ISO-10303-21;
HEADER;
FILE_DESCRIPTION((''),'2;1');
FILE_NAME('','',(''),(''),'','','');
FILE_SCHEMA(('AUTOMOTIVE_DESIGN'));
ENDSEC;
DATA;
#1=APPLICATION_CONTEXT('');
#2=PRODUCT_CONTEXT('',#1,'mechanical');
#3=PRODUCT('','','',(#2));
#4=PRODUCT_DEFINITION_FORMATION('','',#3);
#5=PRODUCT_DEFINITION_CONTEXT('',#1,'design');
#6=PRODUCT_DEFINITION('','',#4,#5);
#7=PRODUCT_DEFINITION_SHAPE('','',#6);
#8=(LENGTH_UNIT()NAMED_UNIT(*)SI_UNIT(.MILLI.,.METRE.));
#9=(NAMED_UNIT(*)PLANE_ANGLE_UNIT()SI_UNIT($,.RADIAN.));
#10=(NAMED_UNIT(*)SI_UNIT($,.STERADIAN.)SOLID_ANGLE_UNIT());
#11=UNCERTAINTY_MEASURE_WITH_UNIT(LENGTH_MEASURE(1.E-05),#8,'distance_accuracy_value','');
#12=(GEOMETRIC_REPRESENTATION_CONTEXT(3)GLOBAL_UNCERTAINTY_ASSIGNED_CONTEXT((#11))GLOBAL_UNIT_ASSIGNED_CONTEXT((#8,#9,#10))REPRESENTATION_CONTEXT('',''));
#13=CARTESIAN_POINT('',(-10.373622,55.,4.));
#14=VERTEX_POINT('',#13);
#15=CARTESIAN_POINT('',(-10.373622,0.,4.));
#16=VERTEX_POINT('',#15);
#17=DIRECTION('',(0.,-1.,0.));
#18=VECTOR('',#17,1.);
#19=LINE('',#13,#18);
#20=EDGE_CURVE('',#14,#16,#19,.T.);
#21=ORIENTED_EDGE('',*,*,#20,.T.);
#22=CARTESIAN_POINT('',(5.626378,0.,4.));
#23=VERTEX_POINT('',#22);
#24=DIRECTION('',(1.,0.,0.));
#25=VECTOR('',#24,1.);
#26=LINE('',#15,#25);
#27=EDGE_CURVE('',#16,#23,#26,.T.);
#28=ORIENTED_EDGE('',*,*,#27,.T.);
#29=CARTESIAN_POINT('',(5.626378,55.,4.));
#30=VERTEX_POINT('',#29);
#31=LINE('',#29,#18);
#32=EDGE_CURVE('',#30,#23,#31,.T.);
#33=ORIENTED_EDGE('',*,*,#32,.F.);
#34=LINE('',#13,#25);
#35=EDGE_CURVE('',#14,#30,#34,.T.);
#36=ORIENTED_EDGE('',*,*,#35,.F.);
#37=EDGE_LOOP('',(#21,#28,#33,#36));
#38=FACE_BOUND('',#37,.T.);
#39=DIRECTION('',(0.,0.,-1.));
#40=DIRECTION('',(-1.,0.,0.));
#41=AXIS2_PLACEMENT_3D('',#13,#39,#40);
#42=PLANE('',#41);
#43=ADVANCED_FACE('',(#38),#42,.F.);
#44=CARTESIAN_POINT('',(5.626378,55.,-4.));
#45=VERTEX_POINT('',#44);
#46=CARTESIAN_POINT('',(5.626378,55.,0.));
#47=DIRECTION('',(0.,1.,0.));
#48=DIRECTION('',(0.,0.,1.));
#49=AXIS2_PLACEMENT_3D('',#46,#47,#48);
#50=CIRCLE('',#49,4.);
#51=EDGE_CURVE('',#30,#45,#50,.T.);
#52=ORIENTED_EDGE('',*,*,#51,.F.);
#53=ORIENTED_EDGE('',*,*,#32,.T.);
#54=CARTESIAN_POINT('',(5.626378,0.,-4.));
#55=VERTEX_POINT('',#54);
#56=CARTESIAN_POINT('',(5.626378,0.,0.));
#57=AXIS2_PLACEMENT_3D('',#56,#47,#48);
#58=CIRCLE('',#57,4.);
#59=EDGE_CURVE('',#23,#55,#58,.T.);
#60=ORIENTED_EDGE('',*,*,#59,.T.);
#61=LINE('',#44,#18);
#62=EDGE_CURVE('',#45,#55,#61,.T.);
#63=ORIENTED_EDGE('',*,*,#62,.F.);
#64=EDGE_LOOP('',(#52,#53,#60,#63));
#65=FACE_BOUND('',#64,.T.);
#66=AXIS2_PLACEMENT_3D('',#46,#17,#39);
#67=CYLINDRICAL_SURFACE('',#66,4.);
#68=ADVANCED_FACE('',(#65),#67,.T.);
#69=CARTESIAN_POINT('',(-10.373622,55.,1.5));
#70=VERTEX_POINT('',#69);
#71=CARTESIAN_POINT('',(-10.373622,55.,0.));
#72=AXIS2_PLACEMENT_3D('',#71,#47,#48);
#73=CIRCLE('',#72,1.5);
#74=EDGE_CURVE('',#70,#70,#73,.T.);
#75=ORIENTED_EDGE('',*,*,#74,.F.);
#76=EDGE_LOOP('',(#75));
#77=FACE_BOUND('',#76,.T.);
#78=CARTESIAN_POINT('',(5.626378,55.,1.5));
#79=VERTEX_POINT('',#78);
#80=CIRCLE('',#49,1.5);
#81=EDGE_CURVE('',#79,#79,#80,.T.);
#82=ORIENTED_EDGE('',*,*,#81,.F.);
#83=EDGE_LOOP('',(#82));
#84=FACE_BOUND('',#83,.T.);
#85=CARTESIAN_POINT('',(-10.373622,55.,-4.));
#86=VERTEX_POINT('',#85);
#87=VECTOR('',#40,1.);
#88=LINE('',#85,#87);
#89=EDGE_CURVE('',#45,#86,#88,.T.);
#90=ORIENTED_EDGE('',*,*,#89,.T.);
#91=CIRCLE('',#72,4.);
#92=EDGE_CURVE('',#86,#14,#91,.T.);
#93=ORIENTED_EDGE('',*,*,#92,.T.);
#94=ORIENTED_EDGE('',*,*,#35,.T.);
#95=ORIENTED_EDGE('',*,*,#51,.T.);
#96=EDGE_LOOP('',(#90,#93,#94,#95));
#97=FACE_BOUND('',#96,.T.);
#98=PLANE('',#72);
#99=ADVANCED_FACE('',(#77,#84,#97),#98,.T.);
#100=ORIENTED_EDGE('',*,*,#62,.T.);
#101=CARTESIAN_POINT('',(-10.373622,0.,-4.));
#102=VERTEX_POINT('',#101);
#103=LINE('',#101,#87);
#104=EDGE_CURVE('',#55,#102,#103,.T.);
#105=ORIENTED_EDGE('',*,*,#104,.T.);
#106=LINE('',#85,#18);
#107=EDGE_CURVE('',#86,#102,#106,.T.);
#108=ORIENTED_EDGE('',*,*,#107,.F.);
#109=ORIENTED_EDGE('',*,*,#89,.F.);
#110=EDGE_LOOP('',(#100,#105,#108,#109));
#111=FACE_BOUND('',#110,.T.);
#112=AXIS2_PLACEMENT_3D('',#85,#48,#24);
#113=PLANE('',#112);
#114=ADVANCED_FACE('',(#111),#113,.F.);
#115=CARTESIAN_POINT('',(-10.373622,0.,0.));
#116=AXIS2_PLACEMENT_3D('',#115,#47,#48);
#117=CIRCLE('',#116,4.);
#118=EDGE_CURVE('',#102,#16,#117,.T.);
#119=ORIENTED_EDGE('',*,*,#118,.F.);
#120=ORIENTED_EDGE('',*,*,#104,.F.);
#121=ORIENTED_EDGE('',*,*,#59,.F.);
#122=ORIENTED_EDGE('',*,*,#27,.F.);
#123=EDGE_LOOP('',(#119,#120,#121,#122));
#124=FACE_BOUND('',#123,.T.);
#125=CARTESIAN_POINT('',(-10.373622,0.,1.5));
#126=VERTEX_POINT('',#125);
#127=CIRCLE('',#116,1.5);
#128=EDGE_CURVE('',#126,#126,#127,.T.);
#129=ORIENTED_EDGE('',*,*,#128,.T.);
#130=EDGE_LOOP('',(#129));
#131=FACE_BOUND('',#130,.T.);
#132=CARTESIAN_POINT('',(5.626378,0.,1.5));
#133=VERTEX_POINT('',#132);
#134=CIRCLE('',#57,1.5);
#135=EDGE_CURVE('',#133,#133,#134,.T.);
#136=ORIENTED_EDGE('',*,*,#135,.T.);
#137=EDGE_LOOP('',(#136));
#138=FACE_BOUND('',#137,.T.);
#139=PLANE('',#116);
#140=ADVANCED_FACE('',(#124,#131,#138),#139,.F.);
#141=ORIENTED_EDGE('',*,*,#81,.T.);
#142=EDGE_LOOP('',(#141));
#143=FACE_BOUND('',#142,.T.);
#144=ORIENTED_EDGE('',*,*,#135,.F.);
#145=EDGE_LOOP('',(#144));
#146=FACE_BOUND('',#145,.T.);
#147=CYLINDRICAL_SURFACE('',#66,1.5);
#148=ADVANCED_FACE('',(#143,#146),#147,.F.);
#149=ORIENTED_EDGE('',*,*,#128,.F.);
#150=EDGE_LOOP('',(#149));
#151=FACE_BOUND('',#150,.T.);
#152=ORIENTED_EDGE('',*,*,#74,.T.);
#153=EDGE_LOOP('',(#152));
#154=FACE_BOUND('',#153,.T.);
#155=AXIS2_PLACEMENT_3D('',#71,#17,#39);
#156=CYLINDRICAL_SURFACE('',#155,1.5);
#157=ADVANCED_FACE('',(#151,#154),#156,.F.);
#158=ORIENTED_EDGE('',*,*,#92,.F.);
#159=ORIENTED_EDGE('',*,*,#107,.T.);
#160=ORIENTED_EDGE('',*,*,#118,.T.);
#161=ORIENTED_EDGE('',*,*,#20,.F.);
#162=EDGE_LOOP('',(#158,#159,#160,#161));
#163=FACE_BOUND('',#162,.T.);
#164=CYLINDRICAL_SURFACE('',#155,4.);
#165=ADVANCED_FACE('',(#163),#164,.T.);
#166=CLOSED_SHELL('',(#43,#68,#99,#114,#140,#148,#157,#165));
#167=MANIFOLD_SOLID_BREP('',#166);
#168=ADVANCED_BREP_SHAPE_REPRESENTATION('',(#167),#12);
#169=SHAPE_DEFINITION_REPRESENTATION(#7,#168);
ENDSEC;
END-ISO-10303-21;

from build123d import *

# Parameters (mm, degrees)
SKETCH_1_R      = 1.5
EXTRUDE_1_DEPTH = 55


with BuildPart() as part:
    # 草图1 → 凸台-拉伸1 (new body)
    with BuildSketch(Plane(origin=(0, 0, 0), x_dir=(1, 0, 0), z_dir=(0, 1, 0))):
        with BuildLine():
            Line((-10.373621718, 4), (5.626378282, 4))
            ThreePointArc((5.626378282, 4), (9.626378282, 0), (5.626378282, -4))
            Line((5.626378282, -4), (-10.373621718, -4))
            ThreePointArc((-10.373621718, -4), (-14.373621718, 0), (-10.373621718, 4))
        make_face()
        with Locations(Location((-10.373621718, 0, 0), (0, 0, 270))):
            Circle(SKETCH_1_R, mode=Mode.SUBTRACT)
        with Locations(Location((5.626378282, 0, 0), (0, 0, 270))):
            Circle(SKETCH_1_R, mode=Mode.SUBTRACT)
    extrude(amount=EXTRUDE_1_DEPTH)


solid = part.part
